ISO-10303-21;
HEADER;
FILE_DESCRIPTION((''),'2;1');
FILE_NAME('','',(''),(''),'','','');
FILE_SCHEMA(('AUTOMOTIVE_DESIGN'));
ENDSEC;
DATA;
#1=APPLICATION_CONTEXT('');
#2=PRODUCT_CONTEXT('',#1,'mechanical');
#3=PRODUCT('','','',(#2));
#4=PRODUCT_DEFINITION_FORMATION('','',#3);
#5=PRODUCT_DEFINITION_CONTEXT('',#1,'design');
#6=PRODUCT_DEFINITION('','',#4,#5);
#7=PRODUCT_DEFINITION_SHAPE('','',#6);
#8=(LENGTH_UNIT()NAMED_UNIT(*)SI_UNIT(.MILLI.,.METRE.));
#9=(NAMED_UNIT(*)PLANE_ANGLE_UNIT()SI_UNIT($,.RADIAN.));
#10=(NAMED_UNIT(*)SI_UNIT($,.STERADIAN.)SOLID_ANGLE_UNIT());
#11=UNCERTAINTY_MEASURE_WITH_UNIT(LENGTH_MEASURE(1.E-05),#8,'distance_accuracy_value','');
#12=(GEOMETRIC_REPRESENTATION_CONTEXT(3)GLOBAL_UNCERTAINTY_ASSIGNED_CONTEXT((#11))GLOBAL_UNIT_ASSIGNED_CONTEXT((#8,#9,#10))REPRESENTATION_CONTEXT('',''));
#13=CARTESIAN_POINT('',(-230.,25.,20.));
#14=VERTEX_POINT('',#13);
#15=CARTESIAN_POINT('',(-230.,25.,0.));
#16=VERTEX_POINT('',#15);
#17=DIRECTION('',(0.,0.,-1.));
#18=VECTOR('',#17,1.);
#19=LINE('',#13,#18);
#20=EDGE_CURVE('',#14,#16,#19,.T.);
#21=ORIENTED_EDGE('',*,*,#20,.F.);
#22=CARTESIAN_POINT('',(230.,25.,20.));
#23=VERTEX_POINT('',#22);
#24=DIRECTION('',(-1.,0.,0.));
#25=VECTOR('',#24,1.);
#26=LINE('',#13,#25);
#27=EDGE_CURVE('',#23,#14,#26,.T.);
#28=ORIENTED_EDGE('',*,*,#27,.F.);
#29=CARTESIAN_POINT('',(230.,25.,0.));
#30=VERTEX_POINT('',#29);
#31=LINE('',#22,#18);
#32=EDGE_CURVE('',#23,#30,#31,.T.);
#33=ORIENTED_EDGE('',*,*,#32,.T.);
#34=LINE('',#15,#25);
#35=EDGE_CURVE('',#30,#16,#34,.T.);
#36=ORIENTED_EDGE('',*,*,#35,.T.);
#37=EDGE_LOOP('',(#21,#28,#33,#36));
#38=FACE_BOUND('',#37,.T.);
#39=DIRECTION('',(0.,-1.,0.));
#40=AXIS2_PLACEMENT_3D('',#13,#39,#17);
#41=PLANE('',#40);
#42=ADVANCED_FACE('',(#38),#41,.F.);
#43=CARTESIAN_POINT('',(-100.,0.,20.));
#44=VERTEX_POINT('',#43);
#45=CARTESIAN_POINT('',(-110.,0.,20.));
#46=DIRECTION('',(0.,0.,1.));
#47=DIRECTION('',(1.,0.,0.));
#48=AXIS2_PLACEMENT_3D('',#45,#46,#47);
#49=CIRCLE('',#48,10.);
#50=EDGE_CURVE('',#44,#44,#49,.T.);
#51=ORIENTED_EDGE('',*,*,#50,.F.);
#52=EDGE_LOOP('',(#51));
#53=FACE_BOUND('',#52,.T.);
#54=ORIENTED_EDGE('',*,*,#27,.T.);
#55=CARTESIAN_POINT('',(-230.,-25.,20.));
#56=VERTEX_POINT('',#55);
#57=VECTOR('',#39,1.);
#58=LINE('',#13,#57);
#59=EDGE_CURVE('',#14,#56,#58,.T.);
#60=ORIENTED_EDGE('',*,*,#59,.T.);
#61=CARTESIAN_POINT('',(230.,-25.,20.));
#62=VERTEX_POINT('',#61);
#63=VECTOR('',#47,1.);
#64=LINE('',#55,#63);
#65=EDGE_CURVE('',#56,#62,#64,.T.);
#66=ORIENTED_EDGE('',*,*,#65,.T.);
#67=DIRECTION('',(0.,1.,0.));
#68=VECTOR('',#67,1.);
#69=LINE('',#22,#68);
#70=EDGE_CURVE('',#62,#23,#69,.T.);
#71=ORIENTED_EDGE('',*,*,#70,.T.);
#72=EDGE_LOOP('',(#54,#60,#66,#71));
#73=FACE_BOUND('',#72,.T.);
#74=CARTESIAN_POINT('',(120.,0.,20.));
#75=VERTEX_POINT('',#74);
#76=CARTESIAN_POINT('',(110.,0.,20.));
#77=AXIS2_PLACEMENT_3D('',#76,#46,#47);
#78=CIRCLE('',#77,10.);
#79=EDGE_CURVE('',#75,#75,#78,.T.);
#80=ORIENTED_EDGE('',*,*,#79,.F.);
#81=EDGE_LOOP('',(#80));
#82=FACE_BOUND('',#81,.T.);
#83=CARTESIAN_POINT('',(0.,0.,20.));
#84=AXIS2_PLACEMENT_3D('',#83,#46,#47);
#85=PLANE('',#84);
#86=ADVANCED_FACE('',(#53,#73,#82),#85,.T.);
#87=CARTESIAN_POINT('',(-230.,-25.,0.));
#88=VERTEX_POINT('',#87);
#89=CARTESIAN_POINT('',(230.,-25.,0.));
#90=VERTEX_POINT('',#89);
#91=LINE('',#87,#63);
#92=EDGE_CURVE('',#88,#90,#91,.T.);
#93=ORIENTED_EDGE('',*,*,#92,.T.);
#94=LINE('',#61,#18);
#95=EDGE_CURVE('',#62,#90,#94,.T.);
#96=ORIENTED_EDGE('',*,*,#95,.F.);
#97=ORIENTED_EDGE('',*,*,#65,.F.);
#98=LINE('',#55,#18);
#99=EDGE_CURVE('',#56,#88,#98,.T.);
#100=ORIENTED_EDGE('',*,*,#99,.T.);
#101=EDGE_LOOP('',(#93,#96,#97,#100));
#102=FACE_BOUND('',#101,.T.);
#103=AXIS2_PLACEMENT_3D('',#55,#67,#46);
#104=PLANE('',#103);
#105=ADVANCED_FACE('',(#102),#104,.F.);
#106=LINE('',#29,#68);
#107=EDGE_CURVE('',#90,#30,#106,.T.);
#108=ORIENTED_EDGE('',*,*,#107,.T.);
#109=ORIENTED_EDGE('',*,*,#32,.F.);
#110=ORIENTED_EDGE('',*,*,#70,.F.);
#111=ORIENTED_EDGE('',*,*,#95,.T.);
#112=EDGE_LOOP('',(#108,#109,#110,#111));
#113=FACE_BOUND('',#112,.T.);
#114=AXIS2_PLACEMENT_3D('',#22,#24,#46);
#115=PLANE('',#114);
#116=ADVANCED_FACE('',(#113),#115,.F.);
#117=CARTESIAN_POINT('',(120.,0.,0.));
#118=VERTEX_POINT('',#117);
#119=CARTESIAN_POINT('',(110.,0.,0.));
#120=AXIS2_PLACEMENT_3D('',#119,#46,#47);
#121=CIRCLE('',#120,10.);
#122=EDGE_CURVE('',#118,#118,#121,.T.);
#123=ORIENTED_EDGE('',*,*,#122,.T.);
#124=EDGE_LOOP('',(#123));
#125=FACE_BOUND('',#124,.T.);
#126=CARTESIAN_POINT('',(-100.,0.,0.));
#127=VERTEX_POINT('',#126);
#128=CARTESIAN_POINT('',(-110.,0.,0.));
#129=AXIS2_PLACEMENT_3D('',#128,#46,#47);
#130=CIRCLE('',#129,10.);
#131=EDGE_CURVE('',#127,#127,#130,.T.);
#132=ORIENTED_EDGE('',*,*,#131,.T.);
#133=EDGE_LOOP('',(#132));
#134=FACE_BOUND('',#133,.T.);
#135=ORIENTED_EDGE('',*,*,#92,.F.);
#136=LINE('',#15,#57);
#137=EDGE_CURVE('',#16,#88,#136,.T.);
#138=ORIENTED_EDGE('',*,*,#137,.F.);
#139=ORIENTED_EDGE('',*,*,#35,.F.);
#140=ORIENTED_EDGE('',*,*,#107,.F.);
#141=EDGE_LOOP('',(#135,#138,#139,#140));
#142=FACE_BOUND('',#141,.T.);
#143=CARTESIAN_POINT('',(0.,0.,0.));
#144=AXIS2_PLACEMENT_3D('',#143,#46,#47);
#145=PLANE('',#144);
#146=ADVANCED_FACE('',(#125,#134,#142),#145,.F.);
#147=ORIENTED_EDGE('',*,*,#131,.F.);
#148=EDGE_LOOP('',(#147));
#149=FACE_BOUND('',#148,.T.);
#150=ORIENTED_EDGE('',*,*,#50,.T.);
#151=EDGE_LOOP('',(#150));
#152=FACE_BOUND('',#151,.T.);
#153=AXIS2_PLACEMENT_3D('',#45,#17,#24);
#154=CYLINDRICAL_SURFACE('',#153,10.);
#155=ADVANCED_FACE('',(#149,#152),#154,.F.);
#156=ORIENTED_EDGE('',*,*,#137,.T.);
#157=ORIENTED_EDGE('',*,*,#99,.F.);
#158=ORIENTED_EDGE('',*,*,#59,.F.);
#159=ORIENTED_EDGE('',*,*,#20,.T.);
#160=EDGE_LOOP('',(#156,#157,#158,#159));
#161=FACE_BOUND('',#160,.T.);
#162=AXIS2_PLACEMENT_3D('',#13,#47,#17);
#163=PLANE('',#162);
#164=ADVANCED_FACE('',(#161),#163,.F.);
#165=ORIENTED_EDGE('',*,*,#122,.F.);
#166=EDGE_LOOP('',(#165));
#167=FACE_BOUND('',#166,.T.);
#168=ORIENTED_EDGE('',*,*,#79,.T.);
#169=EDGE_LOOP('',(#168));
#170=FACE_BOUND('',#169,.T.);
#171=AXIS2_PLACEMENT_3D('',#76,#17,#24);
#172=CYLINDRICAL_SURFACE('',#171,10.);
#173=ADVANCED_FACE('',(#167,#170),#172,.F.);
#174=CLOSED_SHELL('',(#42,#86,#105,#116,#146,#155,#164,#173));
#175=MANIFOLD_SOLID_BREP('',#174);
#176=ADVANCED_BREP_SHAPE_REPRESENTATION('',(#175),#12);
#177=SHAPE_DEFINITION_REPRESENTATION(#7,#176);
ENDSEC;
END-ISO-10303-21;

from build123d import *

# Parameters (mm, degrees)
SKETCH1_W           = 460
SKETCH1_H           = 50
SKETCH1_R           = 10
BOSS_EXTRUDE1_DEPTH = 20


with BuildPart() as part:
    # Sketch1 → Boss-Extrude1 (new body)
    with BuildSketch(Plane.XY):
        Rectangle(SKETCH1_W, SKETCH1_H)
        with Locations((110, 0)):
            Circle(SKETCH1_R, mode=Mode.SUBTRACT)
        with Locations((-110, 0)):
            Circle(SKETCH1_R, mode=Mode.SUBTRACT)
    extrude(amount=BOSS_EXTRUDE1_DEPTH)


solid = part.part
